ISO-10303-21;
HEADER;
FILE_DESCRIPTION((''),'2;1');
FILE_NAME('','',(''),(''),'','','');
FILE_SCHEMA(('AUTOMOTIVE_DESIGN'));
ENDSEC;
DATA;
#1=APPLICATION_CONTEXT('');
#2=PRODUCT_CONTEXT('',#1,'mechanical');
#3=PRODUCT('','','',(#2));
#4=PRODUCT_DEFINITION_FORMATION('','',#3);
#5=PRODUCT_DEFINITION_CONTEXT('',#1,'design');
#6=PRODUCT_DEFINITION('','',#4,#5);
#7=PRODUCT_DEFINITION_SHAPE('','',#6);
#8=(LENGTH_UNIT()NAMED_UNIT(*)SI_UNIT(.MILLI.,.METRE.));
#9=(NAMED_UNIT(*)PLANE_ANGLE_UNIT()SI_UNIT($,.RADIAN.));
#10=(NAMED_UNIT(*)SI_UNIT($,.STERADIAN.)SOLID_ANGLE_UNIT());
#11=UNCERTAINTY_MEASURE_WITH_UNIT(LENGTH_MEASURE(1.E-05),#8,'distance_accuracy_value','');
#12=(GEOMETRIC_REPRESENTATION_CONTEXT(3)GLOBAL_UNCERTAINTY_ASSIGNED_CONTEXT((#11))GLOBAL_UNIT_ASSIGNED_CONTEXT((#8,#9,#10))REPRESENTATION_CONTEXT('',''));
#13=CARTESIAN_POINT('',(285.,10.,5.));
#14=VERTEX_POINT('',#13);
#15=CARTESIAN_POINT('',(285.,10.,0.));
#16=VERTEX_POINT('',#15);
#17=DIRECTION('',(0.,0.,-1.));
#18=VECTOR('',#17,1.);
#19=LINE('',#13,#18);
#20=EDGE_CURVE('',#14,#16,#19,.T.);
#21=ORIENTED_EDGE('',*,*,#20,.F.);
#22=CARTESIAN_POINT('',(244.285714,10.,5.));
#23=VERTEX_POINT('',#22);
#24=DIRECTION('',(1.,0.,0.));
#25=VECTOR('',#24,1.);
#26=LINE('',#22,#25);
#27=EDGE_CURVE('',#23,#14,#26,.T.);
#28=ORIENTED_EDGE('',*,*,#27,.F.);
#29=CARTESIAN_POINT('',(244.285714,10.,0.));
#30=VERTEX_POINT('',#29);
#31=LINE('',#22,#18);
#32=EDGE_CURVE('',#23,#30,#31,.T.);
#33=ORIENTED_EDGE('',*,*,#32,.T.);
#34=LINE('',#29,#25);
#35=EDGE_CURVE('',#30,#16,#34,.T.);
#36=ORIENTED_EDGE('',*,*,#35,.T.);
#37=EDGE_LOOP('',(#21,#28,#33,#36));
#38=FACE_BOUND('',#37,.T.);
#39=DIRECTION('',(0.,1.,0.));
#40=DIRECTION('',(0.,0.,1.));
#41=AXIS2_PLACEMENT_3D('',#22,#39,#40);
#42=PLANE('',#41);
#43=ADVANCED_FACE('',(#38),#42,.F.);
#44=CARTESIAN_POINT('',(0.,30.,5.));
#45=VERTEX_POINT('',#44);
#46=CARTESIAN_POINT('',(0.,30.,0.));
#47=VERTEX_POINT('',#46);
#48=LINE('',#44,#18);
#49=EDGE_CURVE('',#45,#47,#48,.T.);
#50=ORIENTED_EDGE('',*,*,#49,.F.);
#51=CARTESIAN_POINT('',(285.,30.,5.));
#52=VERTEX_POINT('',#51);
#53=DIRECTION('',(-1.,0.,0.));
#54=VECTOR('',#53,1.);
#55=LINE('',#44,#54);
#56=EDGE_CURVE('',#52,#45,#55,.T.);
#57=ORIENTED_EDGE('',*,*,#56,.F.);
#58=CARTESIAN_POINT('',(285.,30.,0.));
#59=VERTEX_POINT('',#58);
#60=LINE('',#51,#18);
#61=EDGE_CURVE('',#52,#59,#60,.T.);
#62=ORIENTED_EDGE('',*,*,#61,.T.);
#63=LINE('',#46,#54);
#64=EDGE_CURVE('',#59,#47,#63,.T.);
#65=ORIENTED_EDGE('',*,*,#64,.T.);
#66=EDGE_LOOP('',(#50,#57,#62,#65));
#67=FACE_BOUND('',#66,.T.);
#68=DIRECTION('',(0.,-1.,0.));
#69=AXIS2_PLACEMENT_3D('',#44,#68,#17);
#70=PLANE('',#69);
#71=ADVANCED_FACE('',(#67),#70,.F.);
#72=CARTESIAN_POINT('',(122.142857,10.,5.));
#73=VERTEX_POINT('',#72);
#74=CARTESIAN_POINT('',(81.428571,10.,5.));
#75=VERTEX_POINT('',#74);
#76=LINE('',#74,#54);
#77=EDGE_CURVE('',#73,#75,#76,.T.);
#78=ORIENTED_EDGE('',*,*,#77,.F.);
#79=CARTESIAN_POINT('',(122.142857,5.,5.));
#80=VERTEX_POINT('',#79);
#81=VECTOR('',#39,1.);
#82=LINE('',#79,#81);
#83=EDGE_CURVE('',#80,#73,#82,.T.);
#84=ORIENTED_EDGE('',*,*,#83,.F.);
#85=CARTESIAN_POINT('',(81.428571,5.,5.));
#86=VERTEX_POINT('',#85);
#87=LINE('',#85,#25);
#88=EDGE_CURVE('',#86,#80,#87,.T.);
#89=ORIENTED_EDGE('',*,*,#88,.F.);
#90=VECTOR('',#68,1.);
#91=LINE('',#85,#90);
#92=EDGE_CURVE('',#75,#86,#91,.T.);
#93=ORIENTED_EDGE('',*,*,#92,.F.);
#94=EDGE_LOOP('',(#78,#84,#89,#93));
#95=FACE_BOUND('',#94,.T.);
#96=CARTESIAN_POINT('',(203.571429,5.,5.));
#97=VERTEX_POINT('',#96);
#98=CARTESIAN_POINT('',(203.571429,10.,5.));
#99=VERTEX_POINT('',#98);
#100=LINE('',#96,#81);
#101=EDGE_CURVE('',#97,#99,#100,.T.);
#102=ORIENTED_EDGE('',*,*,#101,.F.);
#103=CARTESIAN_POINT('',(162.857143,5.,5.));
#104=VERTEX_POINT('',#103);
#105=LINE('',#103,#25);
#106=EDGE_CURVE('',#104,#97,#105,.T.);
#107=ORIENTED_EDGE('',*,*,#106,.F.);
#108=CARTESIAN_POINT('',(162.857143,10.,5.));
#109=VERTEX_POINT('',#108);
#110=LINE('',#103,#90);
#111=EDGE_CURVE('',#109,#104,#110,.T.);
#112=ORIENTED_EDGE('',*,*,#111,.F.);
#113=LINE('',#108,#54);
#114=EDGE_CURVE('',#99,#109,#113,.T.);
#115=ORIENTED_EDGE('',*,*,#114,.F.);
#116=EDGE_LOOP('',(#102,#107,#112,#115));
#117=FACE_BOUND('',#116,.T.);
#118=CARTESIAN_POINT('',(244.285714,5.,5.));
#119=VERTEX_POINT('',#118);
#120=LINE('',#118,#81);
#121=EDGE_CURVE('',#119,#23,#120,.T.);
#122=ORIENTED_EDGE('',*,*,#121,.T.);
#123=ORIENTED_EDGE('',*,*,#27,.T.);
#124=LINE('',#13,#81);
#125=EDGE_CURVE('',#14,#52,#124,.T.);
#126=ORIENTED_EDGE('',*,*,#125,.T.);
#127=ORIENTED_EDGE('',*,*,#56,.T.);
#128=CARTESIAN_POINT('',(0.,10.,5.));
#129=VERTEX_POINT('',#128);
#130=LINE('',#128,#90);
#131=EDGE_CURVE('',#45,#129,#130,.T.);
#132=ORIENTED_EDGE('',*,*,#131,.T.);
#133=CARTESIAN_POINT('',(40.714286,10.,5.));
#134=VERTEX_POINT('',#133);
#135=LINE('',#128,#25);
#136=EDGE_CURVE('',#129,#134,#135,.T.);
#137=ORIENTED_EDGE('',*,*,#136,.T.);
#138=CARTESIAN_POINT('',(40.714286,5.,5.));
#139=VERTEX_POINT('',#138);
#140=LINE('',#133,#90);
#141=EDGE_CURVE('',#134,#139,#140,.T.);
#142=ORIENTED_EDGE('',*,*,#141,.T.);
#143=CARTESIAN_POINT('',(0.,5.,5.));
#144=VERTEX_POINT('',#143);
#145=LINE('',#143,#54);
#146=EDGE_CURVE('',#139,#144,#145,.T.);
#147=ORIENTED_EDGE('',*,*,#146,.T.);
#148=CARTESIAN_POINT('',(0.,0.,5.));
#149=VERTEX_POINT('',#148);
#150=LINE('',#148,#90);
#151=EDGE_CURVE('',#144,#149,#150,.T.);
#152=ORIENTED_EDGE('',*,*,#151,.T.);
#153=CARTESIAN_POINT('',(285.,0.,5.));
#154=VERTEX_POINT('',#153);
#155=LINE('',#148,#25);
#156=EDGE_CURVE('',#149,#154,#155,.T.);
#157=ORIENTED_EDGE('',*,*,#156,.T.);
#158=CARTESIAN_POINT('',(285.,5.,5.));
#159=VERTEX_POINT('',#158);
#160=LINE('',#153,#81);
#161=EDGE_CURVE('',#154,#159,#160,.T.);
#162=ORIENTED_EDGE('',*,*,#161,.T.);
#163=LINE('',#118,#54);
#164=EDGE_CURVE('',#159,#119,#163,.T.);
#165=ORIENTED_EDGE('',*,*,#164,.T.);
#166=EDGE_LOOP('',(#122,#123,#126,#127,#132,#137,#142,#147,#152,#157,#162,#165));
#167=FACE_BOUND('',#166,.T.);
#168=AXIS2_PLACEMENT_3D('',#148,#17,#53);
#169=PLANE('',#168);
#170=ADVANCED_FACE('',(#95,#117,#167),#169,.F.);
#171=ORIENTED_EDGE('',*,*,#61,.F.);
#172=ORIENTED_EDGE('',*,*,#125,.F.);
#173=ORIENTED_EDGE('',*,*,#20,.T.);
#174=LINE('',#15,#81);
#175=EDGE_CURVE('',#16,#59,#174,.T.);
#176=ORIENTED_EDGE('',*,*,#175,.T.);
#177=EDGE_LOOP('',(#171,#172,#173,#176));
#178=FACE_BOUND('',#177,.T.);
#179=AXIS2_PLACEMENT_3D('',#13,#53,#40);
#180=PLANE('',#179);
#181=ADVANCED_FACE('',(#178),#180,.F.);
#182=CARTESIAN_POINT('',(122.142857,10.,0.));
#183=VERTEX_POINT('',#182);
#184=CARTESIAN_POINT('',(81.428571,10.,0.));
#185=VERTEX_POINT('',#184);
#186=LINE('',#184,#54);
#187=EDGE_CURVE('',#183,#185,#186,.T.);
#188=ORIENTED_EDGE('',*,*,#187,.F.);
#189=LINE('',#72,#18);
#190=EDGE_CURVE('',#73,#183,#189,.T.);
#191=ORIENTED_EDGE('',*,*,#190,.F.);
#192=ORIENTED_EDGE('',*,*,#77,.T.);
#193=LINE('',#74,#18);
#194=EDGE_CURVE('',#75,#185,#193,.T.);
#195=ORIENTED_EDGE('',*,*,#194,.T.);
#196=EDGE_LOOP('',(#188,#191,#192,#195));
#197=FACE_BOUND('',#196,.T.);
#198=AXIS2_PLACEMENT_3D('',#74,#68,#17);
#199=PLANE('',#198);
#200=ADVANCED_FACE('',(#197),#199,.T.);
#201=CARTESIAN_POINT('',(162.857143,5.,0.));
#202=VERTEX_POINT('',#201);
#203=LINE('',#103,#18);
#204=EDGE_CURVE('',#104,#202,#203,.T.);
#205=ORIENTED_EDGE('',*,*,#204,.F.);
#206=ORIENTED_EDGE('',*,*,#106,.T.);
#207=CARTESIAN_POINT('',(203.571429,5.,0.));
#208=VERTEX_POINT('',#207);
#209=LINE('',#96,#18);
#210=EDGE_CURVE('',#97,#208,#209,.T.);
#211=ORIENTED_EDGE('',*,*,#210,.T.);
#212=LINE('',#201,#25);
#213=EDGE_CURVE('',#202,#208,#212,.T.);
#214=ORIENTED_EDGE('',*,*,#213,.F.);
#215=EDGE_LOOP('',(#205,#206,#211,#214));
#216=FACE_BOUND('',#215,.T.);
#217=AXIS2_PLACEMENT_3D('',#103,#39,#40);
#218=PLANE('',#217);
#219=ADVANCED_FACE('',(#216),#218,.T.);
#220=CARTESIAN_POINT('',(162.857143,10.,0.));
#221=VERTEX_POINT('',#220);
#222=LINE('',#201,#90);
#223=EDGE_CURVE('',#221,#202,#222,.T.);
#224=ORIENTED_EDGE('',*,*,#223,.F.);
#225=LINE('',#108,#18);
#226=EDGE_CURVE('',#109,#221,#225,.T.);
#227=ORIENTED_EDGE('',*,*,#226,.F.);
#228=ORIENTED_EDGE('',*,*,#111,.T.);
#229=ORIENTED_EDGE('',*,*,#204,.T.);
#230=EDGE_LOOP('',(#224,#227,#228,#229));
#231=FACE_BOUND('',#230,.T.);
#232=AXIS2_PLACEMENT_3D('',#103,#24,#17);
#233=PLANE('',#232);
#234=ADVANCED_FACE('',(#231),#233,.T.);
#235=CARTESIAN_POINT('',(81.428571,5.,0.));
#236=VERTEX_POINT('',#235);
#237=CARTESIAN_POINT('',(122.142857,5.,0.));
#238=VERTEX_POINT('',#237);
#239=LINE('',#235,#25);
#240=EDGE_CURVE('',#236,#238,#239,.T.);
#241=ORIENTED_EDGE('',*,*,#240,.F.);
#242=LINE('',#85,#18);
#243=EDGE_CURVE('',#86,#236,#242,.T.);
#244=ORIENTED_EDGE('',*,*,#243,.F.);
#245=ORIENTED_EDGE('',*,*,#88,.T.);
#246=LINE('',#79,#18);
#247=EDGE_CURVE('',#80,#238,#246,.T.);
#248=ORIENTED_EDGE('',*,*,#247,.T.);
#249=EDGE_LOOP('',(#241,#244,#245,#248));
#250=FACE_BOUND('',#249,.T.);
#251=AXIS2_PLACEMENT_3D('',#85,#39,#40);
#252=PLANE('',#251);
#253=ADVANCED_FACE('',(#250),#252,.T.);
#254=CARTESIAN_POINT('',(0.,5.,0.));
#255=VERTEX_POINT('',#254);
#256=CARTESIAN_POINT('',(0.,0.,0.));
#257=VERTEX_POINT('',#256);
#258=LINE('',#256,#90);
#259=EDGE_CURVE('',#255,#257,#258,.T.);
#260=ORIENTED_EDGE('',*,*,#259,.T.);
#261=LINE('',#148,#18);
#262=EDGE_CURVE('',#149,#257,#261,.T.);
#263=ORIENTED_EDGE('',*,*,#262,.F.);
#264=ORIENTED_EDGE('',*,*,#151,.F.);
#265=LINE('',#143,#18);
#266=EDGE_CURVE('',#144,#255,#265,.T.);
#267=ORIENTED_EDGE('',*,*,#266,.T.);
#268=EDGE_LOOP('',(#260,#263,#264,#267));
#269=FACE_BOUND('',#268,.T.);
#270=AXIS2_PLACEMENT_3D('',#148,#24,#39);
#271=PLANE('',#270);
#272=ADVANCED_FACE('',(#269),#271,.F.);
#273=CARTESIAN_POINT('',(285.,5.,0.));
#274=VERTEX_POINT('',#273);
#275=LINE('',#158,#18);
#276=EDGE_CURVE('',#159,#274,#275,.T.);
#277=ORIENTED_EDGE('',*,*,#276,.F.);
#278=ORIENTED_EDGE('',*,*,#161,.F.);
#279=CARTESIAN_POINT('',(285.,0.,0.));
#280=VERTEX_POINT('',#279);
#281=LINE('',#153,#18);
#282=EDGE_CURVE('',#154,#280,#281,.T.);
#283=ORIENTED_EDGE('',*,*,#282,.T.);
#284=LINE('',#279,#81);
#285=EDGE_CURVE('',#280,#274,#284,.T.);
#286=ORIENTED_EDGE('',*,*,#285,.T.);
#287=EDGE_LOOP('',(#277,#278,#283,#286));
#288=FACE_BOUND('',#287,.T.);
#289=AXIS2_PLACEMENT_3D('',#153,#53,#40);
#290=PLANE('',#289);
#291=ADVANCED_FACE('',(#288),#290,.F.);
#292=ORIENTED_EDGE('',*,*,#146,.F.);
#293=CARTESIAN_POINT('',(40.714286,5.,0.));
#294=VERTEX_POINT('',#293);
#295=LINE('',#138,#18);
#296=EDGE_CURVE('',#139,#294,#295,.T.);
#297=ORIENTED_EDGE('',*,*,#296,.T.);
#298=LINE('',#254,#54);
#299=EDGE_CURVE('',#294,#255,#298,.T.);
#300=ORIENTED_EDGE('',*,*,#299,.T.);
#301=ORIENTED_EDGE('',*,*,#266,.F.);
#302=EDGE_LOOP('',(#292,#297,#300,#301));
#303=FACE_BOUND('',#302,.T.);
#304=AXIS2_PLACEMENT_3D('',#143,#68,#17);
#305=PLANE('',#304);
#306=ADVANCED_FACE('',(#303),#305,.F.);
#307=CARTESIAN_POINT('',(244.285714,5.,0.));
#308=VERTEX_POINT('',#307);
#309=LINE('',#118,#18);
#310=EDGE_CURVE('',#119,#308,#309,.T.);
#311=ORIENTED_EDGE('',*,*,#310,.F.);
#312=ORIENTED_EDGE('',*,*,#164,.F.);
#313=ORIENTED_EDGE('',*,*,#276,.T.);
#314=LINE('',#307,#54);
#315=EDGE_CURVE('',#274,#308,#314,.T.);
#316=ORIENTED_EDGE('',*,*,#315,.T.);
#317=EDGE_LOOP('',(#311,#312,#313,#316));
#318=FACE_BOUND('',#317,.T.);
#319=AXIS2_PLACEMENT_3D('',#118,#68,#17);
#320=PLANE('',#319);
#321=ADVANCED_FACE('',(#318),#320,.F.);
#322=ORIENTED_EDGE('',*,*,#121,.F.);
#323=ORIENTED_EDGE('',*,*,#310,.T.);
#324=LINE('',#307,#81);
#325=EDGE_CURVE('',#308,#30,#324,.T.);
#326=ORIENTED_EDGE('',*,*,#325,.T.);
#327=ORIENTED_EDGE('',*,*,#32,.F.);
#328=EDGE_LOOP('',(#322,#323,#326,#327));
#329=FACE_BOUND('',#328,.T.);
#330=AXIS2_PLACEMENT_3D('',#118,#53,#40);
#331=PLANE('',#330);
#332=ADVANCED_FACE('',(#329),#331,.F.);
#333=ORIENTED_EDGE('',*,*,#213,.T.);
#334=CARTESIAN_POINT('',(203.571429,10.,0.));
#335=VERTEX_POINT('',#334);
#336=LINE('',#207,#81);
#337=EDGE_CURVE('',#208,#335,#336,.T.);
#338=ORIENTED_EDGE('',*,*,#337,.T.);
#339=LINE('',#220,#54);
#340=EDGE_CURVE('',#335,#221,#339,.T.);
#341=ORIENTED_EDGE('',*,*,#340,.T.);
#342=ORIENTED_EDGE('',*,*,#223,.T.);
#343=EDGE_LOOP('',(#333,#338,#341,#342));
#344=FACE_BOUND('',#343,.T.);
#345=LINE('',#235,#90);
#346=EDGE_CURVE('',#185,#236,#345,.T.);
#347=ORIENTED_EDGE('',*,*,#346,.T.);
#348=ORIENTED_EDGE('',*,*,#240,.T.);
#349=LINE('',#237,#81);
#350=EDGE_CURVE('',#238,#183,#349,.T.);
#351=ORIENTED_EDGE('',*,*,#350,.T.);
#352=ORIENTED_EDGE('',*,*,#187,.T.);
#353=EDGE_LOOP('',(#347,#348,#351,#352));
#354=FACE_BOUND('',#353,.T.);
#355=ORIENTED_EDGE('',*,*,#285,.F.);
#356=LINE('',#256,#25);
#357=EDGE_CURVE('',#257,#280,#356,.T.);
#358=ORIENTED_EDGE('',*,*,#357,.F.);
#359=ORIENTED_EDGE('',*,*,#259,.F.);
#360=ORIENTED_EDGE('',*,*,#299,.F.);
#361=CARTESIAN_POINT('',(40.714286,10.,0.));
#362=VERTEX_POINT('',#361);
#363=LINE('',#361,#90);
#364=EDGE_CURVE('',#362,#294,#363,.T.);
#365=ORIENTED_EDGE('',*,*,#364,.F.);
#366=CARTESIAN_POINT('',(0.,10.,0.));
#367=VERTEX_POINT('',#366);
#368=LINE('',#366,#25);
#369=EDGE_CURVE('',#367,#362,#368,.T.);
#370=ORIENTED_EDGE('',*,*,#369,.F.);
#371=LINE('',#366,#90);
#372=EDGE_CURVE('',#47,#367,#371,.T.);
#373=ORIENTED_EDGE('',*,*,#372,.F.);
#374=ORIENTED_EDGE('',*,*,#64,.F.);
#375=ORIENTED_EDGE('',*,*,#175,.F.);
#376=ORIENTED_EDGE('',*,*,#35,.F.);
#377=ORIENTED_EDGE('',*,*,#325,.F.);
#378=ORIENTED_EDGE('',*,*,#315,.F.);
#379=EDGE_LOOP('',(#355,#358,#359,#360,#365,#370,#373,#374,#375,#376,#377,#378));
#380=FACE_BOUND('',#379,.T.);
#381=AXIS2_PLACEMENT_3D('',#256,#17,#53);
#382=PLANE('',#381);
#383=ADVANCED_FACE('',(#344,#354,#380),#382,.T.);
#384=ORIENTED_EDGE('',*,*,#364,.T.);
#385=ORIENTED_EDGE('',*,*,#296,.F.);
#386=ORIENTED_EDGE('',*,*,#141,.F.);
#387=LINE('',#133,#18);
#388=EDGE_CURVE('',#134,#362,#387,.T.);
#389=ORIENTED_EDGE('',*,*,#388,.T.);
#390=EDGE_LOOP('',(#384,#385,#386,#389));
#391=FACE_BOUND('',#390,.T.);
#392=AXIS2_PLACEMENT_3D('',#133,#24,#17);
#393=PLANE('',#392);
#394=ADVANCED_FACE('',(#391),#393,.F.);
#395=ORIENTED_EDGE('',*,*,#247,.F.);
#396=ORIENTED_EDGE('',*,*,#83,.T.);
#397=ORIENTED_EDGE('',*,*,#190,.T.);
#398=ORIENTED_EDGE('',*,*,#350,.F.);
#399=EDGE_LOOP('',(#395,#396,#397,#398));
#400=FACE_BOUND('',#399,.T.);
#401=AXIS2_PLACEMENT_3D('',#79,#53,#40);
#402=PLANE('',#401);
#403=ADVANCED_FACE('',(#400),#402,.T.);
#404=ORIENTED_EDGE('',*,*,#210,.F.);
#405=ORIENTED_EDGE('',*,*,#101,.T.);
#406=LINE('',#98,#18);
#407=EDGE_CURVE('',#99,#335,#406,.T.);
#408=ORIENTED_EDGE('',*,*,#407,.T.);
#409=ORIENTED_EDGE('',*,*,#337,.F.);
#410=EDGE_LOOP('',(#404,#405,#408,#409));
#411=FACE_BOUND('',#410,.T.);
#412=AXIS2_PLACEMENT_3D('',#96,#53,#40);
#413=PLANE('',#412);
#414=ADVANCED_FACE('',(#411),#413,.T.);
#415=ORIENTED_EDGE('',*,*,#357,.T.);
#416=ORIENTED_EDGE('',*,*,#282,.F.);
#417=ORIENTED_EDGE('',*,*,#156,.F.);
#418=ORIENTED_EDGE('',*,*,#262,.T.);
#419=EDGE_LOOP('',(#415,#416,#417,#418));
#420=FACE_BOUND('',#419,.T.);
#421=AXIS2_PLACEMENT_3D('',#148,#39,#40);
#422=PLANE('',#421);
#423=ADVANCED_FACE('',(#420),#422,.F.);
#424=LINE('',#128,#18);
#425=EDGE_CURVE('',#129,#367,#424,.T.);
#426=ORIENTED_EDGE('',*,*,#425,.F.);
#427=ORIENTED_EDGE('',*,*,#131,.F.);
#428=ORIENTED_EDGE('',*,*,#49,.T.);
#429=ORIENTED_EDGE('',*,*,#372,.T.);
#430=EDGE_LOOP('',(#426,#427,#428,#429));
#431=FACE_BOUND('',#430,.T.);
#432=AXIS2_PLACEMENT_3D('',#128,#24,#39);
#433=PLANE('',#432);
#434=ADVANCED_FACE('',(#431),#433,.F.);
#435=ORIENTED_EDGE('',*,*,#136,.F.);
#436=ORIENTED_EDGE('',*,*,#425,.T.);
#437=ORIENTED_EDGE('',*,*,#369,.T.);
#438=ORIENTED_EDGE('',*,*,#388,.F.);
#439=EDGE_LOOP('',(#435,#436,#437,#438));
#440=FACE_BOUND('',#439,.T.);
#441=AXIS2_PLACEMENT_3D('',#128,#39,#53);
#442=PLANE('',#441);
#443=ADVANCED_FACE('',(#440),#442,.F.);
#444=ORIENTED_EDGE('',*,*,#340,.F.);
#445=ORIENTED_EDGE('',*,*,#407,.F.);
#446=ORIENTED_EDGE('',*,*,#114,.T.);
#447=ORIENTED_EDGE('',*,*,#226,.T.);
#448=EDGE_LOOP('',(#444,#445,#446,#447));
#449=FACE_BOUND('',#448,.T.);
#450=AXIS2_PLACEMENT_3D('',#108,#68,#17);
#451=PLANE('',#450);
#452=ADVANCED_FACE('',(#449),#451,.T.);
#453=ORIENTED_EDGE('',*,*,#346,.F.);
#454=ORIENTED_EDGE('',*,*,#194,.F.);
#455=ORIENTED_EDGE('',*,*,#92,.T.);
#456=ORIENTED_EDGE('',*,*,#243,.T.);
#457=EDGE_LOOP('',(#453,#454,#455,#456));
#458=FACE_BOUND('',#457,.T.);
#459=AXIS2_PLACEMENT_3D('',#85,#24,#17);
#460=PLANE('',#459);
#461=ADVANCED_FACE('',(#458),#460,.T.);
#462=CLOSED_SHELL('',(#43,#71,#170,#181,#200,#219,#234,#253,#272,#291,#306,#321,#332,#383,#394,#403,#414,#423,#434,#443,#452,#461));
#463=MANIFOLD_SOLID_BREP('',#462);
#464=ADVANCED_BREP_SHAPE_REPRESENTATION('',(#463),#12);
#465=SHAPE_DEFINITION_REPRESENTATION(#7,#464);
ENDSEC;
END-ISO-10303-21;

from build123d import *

# Parameters (mm, degrees)
ESQUISSE1_W        = 40.714285714
ESQUISSE1_H        = 5
BOSS_EXTRU_1_DEPTH = 5


with BuildPart() as part:
    # Esquisse1 → Boss.-Extru.1 (new body)
    with BuildSketch(Plane.XY):
        Polygon((0, 10), (0, 30), (285, 30), (285, 10), (244.285714286, 10), (244.285714286, 5), (285, 5), (285, 0), (0, 0), (0, 5), (40.714285714, 5), (40.714285714, 10), align=None)
        with Locations((101.785714286, 7.5)):
            Rectangle(ESQUISSE1_W, ESQUISSE1_H, mode=Mode.SUBTRACT)
        with Locations((183.214285714, 7.5)):
            Rectangle(ESQUISSE1_W, ESQUISSE1_H, mode=Mode.SUBTRACT)
    extrude(amount=BOSS_EXTRU_1_DEPTH)


solid = part.part
